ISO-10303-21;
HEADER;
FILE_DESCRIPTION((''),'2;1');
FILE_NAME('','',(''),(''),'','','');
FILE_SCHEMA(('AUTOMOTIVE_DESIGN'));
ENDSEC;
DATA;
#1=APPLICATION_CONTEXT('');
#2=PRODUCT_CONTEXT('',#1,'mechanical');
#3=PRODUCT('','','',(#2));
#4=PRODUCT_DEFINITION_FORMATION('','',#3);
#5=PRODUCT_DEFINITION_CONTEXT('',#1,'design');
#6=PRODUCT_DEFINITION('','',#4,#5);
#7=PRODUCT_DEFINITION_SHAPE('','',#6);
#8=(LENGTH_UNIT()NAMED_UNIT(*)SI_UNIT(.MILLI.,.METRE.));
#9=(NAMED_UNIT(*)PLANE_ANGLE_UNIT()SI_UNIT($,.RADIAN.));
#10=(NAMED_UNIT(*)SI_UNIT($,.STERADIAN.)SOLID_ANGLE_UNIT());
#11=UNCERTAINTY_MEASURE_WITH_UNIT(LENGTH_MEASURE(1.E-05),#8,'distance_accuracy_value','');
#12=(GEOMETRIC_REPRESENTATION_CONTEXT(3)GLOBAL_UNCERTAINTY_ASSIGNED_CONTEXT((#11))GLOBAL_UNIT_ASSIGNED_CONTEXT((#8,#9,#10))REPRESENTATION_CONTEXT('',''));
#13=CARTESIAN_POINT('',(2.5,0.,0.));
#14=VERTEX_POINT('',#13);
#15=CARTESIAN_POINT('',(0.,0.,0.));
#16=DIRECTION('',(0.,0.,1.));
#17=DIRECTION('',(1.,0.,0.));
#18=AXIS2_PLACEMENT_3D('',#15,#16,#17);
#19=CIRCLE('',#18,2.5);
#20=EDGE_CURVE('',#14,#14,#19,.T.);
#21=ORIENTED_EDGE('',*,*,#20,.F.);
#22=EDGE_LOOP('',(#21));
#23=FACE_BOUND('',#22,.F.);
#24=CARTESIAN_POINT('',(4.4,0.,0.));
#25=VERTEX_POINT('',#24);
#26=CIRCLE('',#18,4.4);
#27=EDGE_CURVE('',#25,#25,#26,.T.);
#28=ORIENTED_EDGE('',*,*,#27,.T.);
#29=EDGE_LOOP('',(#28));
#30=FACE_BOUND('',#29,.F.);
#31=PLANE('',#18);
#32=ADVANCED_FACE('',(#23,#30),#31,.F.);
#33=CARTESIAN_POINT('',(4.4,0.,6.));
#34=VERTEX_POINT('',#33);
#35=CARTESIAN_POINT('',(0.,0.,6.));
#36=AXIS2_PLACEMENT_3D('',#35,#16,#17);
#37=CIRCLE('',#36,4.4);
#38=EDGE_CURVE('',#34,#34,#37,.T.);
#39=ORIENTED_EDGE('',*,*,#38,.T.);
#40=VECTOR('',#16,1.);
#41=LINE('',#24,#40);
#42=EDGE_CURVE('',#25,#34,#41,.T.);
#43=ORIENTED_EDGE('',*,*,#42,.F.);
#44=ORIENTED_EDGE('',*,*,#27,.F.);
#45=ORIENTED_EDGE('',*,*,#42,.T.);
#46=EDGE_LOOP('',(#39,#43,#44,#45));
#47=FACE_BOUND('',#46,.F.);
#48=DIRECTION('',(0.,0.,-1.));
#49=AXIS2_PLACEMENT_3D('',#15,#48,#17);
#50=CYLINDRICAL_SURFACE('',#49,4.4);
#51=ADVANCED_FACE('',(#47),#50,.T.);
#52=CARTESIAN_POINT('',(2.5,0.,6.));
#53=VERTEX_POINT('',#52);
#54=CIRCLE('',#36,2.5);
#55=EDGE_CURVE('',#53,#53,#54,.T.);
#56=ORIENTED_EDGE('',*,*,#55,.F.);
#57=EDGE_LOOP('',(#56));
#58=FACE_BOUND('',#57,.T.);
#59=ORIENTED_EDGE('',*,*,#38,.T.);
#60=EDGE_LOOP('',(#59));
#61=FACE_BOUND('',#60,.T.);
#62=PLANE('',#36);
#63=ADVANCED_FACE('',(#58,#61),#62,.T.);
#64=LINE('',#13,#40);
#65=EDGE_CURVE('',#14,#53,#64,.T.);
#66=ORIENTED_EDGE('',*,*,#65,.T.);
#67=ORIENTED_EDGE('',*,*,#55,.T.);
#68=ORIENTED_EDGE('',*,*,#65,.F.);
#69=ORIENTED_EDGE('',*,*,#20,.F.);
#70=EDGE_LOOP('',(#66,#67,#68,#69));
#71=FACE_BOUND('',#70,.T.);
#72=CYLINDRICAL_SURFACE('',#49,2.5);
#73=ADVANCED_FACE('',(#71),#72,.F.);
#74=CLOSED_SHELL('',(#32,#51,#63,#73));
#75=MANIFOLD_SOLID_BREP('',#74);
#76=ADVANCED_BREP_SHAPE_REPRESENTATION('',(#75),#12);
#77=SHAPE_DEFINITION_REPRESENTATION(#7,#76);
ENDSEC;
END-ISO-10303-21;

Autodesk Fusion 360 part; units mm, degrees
sketch "Sketch1" plane through (0, 0, 0) normal (0, 0, 1) x (1, 0, 0)
  circle A0 centre (0, 0) radius 2.5
  circle A1 centre (0, 0) radius 4.4
  dimension "d1" = 5
  dimension "d2" = 8.8
extrude "Extrude1" add sketch "Sketch1" along normal blind 6
